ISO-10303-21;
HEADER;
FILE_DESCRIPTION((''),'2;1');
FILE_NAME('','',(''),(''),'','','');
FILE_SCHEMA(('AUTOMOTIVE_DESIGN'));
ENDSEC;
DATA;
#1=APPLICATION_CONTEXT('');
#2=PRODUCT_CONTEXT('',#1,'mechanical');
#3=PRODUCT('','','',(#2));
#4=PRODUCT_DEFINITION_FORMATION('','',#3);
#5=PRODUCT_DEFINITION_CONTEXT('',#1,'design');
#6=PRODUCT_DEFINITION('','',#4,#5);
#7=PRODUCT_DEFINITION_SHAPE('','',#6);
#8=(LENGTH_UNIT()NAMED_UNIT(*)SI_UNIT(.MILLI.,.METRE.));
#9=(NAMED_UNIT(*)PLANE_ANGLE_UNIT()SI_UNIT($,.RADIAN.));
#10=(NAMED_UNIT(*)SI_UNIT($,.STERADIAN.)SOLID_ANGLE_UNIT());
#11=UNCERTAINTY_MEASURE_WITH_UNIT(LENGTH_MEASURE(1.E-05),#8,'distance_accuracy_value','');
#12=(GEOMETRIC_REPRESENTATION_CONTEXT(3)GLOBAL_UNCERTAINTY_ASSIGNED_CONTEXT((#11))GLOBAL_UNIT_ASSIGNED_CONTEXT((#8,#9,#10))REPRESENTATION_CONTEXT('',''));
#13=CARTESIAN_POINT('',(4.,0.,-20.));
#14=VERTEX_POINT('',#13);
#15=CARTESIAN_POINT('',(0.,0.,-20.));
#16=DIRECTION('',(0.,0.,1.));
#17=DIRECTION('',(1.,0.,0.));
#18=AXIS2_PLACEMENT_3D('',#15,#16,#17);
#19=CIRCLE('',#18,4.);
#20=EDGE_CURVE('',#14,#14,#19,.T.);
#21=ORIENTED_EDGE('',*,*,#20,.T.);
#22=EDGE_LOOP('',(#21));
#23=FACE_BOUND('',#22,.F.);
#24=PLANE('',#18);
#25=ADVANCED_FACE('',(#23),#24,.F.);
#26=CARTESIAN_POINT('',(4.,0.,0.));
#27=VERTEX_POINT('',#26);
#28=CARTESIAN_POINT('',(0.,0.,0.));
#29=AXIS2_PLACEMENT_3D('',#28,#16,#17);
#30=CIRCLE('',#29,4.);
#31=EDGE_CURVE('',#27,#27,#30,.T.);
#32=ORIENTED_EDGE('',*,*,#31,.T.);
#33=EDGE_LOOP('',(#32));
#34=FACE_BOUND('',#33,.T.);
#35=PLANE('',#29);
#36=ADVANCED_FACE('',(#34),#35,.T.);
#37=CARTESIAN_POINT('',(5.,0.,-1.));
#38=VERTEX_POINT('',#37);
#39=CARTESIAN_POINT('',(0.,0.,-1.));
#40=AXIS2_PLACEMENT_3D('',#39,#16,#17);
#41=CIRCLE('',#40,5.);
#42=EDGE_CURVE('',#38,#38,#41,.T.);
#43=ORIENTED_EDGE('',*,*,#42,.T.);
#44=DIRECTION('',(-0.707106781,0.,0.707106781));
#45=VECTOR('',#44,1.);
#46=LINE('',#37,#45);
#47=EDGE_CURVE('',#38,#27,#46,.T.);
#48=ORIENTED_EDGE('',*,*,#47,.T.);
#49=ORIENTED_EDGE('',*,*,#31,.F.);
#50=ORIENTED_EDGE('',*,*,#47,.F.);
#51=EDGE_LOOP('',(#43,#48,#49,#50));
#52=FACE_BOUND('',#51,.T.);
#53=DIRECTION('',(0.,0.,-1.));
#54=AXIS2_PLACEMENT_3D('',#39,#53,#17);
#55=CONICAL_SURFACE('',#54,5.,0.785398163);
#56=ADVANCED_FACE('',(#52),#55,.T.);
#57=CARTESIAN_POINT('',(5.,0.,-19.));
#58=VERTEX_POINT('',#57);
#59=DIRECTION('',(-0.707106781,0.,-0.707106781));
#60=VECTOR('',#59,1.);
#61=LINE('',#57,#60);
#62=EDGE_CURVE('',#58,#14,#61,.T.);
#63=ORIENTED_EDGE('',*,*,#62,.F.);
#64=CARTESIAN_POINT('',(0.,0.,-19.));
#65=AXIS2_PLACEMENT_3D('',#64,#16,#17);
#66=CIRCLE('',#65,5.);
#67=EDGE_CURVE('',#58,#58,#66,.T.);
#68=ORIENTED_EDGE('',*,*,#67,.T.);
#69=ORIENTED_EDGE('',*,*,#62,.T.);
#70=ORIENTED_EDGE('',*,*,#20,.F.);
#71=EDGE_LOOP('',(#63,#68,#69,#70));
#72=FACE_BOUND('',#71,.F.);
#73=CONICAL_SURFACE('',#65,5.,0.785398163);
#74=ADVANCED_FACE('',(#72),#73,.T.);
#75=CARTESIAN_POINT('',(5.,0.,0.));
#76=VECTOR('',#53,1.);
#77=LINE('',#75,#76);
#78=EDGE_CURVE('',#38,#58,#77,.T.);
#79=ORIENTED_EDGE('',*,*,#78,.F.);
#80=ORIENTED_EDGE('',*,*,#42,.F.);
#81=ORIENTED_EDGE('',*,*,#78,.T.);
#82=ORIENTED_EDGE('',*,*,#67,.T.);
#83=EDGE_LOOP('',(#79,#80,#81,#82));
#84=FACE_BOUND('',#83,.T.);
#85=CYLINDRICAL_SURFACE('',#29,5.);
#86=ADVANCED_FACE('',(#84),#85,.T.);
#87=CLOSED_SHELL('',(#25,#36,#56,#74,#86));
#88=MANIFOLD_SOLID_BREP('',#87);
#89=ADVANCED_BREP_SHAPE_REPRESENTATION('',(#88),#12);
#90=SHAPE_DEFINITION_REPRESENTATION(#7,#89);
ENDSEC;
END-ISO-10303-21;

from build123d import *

# Parameters (mm, degrees)
F0_R     = 5
F1_DEPTH = 20
F2_SIZE  = 1
F3_SIZE  = 1


with BuildPart() as f1:
    # F0 (on Top) → F1 (new body)
    with BuildSketch(Plane.XY):
        Circle(F0_R)
    extrude(amount=-F1_DEPTH)

    # F2
    f2_edges = [f1.edges().sort_by_distance(p)[0] for p in [
        (-5, 0, -20),
    ]]
    chamfer(f2_edges, length=F2_SIZE)

    # F3
    f3_edges = [f1.edges().sort_by_distance(p)[0] for p in [
        (-5, 0, 0),
    ]]
    chamfer(f3_edges, length=F3_SIZE)


solid = f1.part
